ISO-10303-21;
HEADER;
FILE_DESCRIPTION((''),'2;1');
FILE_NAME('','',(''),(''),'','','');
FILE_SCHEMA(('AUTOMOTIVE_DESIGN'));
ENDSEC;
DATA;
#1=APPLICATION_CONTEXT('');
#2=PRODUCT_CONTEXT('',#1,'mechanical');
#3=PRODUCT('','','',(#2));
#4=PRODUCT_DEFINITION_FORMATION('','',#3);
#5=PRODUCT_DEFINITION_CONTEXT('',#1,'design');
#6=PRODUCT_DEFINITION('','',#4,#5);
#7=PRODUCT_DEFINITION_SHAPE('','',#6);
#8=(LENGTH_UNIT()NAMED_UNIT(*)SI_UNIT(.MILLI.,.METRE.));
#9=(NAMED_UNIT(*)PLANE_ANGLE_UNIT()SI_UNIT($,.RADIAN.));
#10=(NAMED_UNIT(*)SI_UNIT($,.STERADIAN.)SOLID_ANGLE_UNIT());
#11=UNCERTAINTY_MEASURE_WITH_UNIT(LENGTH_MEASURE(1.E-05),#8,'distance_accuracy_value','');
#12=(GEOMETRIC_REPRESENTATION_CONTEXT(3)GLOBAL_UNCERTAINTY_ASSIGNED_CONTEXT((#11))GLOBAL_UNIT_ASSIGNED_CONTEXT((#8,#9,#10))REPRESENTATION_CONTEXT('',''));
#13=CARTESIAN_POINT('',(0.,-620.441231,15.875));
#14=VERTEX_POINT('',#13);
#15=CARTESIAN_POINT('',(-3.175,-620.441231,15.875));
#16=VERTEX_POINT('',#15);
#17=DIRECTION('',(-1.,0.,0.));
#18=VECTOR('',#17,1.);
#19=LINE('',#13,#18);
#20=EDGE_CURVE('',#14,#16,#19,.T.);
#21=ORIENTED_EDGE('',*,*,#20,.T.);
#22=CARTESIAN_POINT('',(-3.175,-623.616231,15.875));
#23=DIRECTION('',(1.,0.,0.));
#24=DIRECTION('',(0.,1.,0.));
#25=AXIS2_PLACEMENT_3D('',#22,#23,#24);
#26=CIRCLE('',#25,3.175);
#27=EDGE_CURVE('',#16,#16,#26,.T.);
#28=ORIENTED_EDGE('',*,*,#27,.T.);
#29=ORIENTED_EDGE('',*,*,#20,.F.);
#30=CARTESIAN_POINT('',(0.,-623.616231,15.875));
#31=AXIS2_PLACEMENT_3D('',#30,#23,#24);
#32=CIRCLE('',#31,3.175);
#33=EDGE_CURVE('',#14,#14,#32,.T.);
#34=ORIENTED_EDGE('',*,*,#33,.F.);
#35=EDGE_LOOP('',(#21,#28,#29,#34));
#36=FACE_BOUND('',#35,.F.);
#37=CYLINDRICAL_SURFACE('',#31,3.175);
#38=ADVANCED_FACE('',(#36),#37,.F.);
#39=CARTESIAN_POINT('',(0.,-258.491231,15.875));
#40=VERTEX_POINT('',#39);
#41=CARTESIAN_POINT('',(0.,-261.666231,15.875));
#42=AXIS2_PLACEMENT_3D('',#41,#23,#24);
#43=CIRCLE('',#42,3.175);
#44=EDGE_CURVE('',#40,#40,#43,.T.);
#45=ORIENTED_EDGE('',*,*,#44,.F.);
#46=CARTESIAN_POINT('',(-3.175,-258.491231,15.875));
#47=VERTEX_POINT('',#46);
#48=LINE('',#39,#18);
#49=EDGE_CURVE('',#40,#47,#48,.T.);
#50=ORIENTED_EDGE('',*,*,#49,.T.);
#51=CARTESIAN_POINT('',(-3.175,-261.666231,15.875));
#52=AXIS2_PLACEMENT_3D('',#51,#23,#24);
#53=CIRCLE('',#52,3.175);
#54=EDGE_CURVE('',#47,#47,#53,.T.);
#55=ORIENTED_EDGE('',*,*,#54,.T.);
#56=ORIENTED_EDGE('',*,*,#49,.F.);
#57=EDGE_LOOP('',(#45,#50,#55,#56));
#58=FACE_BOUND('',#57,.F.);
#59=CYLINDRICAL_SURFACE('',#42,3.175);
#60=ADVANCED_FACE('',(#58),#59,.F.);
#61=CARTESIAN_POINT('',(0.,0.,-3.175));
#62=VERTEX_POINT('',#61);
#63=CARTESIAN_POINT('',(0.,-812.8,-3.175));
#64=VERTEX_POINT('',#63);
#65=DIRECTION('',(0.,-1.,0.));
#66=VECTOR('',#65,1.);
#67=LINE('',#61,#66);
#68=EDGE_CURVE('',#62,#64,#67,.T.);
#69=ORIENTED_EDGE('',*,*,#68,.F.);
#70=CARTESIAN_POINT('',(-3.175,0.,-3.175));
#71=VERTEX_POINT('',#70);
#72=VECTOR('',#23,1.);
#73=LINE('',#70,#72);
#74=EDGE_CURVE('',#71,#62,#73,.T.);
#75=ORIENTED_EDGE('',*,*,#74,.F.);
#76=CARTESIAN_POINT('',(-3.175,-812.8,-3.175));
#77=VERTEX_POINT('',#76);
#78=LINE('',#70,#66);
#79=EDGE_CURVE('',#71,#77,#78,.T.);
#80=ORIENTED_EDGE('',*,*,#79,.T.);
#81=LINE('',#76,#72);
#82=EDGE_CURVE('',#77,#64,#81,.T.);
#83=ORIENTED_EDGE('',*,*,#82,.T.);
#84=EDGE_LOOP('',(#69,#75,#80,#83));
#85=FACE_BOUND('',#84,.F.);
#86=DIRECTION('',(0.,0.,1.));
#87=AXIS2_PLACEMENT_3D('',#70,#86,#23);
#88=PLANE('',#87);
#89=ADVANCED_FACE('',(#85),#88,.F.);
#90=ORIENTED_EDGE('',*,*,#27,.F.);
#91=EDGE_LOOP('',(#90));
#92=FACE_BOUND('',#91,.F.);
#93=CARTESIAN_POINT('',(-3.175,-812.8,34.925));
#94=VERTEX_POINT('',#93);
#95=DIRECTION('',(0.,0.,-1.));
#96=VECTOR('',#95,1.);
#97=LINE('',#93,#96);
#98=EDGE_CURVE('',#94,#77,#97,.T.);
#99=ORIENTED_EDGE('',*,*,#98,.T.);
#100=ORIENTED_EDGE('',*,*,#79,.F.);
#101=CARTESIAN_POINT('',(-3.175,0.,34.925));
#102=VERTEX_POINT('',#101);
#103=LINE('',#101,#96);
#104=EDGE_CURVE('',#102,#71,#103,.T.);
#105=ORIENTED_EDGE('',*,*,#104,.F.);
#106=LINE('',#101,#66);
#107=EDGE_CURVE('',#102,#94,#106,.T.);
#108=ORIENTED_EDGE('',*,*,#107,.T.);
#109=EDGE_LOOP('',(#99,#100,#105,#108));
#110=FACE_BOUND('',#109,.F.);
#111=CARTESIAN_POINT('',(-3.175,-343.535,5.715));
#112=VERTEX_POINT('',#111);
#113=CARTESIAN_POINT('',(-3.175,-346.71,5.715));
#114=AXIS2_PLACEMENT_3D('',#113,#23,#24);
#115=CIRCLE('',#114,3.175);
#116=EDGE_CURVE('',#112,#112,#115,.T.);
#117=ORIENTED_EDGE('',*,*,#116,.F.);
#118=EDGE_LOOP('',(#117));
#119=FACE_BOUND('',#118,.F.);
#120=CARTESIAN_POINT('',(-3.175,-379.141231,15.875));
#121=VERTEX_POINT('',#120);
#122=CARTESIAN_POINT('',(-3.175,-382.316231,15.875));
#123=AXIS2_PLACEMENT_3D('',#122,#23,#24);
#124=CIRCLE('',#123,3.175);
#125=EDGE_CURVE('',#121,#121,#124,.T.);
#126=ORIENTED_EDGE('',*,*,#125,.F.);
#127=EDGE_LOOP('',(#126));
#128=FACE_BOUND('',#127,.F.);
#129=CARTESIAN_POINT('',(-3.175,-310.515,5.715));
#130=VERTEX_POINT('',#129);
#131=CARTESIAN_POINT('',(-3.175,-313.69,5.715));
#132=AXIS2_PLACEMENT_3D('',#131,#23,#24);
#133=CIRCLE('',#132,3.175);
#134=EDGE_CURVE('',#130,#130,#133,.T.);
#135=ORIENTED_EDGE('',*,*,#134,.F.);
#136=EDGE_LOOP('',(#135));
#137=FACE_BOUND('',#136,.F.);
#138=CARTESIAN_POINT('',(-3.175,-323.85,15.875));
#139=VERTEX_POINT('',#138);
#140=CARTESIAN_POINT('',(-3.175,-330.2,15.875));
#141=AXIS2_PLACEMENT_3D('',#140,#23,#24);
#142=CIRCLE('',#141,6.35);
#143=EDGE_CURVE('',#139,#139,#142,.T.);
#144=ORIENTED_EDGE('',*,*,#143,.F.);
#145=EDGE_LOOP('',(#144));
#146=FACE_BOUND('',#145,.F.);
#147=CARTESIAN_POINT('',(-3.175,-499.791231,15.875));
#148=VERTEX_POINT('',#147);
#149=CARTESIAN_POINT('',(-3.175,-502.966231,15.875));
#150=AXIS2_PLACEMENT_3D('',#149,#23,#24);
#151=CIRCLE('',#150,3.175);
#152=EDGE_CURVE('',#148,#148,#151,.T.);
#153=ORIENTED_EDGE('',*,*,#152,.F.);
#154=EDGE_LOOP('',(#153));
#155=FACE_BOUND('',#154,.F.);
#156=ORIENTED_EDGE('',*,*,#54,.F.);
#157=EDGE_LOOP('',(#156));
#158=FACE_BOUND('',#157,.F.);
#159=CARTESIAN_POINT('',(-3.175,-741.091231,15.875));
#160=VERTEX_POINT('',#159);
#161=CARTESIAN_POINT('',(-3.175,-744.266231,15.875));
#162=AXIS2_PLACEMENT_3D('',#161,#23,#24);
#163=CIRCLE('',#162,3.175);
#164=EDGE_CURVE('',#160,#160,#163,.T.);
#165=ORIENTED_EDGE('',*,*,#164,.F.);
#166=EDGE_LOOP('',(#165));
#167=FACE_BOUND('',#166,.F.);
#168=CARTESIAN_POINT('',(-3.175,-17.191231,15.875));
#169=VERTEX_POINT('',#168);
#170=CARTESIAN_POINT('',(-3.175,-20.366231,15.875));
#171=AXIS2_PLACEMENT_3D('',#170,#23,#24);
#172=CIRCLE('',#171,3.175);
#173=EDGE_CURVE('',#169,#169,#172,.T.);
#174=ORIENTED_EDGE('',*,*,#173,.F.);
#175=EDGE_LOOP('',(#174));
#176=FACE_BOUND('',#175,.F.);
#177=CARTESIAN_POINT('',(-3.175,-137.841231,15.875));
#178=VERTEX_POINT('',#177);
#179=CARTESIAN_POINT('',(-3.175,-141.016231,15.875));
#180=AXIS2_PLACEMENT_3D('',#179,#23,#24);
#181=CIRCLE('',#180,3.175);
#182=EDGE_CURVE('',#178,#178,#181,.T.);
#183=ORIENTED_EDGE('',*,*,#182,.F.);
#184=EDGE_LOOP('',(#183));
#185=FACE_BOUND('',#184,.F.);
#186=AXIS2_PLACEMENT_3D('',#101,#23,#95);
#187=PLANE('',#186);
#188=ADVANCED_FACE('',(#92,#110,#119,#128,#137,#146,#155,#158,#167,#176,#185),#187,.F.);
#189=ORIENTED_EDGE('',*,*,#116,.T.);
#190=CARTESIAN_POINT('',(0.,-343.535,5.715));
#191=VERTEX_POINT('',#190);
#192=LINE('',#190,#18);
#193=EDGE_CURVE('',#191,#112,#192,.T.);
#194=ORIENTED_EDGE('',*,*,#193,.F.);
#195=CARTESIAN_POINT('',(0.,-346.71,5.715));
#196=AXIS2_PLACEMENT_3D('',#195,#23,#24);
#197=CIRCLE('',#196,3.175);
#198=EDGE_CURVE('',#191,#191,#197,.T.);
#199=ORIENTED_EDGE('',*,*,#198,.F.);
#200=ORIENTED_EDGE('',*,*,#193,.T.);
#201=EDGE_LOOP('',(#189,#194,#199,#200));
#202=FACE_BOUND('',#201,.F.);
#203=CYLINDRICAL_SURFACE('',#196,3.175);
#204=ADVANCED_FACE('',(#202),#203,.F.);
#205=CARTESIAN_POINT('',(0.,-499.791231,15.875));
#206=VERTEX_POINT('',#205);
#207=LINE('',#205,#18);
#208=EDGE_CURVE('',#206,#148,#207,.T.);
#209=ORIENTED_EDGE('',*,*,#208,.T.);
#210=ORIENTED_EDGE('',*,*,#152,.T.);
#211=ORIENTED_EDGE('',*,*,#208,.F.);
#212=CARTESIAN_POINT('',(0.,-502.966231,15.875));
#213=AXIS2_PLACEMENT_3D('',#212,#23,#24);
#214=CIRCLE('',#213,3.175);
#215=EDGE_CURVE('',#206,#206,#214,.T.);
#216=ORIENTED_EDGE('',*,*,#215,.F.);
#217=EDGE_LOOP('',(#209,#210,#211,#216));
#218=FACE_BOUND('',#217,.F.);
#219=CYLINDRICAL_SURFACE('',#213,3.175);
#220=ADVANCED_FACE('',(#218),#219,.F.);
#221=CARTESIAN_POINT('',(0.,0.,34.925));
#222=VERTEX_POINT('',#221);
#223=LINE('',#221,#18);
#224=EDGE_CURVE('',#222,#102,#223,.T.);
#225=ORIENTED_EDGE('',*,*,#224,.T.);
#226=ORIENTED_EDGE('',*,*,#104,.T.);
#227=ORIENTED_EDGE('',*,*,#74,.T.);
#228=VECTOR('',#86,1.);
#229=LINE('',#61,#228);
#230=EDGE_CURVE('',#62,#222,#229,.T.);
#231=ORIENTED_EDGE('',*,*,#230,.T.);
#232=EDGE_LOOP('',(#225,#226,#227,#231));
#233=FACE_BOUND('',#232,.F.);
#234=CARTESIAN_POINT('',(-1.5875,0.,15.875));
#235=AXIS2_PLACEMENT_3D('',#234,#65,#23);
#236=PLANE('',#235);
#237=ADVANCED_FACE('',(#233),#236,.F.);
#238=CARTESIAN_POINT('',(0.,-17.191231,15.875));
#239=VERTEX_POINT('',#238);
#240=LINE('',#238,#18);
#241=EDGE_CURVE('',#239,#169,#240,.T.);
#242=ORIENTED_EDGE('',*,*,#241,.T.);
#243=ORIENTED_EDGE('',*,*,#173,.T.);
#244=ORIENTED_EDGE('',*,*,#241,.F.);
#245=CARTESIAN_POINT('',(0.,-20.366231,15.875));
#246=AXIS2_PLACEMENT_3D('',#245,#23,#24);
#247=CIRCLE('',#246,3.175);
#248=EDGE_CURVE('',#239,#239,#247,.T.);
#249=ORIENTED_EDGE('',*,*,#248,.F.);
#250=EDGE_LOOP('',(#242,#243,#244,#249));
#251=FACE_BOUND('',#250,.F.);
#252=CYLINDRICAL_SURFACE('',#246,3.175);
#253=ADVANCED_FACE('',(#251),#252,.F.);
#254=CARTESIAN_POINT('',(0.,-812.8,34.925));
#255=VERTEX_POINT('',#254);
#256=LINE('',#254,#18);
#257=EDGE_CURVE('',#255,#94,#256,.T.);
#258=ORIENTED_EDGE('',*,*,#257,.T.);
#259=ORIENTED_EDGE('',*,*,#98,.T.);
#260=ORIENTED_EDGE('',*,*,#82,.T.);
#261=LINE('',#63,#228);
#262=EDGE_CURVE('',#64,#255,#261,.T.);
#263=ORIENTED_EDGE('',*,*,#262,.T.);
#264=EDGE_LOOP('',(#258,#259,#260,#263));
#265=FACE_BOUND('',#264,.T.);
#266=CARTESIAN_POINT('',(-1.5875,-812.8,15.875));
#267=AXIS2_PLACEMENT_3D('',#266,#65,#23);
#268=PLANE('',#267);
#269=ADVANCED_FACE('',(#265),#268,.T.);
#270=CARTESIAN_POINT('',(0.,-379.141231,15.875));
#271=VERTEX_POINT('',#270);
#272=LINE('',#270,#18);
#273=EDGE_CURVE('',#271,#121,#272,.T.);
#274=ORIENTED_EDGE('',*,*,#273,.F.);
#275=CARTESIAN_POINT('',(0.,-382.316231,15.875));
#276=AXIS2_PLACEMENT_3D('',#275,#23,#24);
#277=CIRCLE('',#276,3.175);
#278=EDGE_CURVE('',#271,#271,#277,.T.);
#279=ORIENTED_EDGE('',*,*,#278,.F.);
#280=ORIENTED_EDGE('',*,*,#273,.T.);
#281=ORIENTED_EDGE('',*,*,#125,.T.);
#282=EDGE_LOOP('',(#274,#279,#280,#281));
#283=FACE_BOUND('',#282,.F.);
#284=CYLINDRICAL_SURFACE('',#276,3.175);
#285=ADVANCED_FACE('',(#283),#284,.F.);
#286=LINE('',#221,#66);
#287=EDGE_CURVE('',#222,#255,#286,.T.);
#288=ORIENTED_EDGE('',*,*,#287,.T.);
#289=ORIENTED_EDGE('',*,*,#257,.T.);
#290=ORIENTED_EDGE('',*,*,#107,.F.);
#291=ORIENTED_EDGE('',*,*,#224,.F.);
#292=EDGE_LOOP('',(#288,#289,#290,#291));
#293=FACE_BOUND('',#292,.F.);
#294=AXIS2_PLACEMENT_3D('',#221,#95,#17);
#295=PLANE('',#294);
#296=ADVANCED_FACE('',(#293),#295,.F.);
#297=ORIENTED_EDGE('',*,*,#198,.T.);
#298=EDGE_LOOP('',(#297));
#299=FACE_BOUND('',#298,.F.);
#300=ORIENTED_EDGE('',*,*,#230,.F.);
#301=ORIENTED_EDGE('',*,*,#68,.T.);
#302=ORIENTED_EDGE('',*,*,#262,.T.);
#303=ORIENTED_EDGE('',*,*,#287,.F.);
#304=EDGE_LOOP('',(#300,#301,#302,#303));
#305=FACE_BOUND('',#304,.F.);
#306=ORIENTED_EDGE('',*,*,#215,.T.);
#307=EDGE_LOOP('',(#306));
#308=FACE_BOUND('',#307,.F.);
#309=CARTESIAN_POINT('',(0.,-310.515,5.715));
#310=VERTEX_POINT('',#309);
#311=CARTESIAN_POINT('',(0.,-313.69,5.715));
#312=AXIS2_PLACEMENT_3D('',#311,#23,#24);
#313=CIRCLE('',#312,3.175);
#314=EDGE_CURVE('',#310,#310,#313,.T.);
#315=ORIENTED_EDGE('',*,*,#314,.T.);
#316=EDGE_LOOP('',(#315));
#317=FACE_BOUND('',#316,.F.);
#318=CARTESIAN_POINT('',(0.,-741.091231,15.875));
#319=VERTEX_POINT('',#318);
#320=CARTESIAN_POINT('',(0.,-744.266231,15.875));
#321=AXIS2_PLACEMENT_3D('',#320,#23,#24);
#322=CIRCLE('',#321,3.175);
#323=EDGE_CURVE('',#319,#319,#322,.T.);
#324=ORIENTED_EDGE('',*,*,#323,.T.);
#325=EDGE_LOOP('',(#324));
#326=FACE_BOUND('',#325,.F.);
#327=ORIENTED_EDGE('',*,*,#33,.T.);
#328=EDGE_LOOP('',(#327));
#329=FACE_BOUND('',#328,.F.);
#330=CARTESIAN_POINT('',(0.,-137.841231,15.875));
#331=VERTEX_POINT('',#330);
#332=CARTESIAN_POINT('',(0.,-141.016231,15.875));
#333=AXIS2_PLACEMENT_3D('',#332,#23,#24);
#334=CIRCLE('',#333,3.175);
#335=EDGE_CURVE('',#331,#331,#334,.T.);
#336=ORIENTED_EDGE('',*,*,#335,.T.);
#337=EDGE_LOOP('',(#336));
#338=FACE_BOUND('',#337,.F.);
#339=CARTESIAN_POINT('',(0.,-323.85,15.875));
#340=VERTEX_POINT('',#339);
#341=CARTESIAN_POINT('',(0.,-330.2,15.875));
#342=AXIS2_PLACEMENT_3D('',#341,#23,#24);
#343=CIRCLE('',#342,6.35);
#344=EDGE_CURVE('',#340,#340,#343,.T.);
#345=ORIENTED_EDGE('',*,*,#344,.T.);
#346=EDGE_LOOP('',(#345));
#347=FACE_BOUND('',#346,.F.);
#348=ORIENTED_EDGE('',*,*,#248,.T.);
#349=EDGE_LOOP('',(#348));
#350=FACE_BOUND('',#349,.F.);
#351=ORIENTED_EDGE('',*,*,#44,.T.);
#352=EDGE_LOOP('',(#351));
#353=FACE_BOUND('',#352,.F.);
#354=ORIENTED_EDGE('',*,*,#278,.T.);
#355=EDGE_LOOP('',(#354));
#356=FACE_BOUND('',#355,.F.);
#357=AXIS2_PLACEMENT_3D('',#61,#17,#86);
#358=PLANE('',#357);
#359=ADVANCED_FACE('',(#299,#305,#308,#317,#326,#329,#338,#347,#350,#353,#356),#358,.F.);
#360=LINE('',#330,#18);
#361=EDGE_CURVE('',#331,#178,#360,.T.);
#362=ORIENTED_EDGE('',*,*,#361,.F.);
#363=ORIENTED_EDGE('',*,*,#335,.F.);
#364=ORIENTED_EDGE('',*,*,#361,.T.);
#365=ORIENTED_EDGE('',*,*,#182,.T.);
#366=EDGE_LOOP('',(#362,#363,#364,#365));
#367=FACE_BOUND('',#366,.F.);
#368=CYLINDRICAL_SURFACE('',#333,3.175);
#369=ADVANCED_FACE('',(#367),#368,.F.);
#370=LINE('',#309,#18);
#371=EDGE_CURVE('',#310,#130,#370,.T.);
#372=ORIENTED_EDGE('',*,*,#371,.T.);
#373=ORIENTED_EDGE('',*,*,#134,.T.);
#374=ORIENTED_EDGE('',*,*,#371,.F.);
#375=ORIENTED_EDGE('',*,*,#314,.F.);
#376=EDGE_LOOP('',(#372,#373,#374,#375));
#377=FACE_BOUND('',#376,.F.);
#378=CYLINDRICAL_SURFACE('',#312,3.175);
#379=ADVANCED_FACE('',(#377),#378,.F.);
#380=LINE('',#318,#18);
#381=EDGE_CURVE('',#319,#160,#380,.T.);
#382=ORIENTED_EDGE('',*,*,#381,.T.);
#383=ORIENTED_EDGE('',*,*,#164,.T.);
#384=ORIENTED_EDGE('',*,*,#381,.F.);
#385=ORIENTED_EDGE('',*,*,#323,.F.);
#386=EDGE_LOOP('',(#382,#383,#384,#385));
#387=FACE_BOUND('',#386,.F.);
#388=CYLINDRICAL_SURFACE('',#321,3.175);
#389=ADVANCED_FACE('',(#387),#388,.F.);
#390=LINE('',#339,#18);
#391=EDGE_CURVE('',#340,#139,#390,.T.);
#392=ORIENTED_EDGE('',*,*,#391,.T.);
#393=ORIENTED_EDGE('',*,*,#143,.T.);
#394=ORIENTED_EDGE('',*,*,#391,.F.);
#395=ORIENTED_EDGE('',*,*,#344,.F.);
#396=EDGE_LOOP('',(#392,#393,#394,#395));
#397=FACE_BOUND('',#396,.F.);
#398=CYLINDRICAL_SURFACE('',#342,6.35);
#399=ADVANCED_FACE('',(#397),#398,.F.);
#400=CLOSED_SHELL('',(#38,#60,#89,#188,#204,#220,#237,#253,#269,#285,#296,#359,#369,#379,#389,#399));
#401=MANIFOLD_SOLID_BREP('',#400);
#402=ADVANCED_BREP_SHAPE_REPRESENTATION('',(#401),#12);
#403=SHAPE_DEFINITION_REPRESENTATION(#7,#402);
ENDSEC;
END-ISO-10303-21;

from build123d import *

# Parameters (mm, degrees)
F1_DEPTH = 812.8
F2_R     = 6.35
F2_R_2   = 3.175
F3_DEPTH = 25.4
F4_R     = 3.175
F5_DEPTH = 25.4


with BuildPart() as f1:
    # F0 (on Front) → F1 (new body)
    with BuildSketch(Plane.XZ):
        Polygon((0, -3.175), (0, 0), (0, 34.925), (-3.175, 34.925), (-3.175, -3.175), align=None)
    extrude(amount=F1_DEPTH)

    # F2 (on face) → F3 (cut)
    with BuildSketch(Plane.YZ):
        with Locations((-330.2, 15.875)):
            Circle(F2_R)
        with Locations((-346.71, 5.715)):
            Circle(F2_R_2)
        with Locations((-313.69, 5.715)):
            Circle(F2_R_2)
    extrude(amount=-F3_DEPTH, mode=Mode.SUBTRACT)

    # F4 (on face) → F5 (cut)
    with BuildSketch(Plane.YZ):
        with Locations((-20.366231, 15.875)):
            Circle(F4_R)
        with Locations((-141.016231, 15.875)):
            Circle(F4_R)
        with Locations((-261.666231, 15.875)):
            Circle(F4_R)
        with Locations((-382.316231, 15.875)):
            Circle(F4_R)
        with Locations((-502.966231, 15.875)):
            Circle(F4_R)
        with Locations((-623.616231, 15.875)):
            Circle(F4_R)
        with Locations((-744.266231, 15.875)):
            Circle(F4_R)
    extrude(amount=-F5_DEPTH, mode=Mode.SUBTRACT)


solid = f1.part
